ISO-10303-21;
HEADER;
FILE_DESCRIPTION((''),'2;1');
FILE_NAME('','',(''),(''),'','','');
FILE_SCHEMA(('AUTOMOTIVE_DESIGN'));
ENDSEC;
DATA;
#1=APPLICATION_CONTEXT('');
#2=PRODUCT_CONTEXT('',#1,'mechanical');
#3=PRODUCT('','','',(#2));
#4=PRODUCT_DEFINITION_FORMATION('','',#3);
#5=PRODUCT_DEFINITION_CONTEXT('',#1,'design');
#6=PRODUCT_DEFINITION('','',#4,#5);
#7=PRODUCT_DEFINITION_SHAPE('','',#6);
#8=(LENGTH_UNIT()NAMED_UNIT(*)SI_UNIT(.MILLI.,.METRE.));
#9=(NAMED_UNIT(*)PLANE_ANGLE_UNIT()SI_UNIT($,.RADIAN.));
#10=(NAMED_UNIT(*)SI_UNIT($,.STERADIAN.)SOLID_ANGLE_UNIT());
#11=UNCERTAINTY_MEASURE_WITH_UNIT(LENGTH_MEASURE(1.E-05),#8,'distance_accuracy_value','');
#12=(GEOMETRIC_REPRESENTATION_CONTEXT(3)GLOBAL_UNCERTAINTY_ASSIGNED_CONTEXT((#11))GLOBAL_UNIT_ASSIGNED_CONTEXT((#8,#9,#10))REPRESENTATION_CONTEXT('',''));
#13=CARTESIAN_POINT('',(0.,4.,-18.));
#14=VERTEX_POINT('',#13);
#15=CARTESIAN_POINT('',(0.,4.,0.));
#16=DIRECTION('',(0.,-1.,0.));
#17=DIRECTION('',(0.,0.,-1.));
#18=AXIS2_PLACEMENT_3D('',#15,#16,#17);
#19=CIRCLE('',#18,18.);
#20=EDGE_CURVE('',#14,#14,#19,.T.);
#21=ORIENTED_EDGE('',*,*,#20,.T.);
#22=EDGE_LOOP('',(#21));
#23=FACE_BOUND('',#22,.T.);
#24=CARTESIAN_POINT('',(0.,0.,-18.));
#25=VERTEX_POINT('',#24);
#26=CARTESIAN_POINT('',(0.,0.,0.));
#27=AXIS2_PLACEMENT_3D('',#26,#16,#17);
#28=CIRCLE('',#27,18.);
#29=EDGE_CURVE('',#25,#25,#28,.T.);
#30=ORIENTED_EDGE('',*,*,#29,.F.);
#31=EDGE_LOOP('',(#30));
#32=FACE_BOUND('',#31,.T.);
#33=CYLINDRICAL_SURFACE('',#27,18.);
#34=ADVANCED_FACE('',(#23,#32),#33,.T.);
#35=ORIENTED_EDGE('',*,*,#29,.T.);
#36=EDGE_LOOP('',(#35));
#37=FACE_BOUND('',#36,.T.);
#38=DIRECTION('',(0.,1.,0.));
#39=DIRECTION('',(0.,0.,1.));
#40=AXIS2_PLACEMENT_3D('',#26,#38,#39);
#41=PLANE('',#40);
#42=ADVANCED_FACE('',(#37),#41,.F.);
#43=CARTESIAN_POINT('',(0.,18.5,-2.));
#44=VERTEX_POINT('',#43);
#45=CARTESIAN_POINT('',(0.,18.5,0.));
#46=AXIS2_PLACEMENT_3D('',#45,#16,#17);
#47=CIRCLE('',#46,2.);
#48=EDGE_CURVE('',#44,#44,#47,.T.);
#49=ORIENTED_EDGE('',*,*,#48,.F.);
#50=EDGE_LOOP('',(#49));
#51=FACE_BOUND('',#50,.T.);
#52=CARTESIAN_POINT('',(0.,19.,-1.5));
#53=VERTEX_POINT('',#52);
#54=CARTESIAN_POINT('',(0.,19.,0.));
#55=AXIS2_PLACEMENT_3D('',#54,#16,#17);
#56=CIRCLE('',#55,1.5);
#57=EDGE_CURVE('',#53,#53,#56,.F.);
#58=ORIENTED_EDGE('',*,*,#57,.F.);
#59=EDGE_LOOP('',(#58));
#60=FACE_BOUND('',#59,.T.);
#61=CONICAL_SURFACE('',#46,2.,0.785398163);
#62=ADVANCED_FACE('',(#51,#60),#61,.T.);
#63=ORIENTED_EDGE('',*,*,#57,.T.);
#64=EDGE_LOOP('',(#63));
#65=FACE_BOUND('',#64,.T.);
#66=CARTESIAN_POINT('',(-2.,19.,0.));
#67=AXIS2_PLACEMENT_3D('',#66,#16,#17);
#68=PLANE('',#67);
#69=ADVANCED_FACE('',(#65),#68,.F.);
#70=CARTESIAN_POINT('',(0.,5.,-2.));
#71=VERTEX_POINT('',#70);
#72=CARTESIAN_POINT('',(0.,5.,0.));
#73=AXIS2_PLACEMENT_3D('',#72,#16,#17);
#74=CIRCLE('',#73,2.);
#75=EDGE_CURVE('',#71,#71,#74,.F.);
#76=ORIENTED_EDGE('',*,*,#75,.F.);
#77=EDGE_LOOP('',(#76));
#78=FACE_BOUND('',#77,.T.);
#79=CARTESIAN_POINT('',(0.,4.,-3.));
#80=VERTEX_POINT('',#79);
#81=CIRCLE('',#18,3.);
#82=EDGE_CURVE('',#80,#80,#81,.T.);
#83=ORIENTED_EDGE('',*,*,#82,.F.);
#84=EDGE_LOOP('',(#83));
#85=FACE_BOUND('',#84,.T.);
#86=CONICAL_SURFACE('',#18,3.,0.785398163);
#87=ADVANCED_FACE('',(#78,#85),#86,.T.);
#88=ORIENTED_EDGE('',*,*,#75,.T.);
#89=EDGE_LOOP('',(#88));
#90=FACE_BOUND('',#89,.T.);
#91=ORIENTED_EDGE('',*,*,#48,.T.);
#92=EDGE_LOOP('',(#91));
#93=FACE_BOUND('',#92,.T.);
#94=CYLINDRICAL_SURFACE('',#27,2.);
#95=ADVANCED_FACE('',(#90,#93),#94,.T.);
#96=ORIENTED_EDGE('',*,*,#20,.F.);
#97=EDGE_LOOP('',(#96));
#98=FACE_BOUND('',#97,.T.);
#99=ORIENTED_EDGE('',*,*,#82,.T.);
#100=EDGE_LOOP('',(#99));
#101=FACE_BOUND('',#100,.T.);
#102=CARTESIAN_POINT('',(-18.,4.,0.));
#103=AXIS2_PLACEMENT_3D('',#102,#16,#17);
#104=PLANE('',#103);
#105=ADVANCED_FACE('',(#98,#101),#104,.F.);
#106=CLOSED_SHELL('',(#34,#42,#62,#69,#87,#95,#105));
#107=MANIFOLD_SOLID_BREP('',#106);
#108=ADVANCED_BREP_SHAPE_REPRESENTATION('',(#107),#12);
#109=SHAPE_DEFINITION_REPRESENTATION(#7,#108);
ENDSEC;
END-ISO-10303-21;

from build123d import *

# Parameters (mm, degrees)
CHANFREIN1_SIZE = 1
CHANFREIN2_SIZE = 0.5


with BuildPart() as part:
    # Esquisse1 → Révolution1 (revolve)
    with BuildSketch(Plane.XY):
        Polygon((0, 0), (-18, 0), (-18, 4), (-2, 4), (-2, 19), (0, 19), align=None)
    revolve(axis=Axis((0, 0, 0), (0, 1, 0)))

    # Chanfrein1
    chanfrein1_edges = [part.edges().sort_by_distance(p)[0] for p in [
        (2, 4, 0),
    ]]
    chamfer(chanfrein1_edges, length=CHANFREIN1_SIZE)

    # Chanfrein2
    chanfrein2_edges = [part.edges().sort_by_distance(p)[0] for p in [
        (2, 19, 0),
    ]]
    chamfer(chanfrein2_edges, length=CHANFREIN2_SIZE)


solid = part.part
